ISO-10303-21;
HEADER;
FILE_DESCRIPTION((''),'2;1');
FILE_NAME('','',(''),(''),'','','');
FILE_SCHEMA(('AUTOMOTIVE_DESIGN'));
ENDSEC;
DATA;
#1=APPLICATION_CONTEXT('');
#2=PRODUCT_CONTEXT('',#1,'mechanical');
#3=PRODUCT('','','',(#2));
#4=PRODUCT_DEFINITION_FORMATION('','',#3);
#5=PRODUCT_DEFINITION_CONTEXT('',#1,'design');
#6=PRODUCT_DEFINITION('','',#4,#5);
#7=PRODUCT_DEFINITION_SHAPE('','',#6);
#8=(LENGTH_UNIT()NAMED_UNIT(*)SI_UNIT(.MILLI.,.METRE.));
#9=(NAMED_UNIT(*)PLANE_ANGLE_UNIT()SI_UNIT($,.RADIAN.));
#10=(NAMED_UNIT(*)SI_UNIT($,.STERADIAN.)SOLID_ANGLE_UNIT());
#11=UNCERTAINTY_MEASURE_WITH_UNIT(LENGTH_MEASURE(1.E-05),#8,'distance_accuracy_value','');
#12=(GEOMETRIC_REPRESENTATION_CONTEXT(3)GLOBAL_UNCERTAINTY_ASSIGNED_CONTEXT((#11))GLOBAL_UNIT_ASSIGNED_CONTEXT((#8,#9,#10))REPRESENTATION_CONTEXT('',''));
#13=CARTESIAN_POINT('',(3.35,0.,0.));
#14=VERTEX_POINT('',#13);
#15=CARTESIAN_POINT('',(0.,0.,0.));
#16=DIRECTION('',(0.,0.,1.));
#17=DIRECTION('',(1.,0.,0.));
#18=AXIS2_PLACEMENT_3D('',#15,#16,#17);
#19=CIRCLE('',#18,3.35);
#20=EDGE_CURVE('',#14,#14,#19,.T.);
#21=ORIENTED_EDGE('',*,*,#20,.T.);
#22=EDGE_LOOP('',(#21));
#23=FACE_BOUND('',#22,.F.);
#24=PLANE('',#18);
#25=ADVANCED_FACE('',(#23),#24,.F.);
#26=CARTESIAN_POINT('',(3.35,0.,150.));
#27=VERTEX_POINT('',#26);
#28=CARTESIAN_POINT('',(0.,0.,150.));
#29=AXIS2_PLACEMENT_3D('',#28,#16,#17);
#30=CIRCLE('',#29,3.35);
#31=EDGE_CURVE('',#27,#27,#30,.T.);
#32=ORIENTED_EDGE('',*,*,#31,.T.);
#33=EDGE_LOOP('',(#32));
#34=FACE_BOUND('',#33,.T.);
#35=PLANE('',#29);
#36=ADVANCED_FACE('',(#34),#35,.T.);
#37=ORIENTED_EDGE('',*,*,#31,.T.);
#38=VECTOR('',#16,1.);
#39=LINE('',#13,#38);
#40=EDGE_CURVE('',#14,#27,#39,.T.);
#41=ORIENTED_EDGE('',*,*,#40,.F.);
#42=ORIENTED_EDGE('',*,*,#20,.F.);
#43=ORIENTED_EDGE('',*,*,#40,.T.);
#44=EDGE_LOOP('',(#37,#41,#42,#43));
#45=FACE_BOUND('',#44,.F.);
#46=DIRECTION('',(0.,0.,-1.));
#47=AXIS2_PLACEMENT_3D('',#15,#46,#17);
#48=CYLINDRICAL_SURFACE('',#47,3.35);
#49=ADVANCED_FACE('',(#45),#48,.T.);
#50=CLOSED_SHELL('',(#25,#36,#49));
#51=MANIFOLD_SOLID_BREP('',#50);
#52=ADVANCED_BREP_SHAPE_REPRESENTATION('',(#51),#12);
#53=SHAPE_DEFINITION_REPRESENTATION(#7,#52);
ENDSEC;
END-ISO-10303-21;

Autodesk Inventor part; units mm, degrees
ref_plane "YZ Plane" through (0, 0, 0) normal (1, 0, 0) x (0, 1, 0)
ref_plane "XZ Plane" through (0, 0, 0) normal (0, 1, 0) x (-1, 0, 0)
ref_plane "XY Plane" through (0, 0, 0) normal (0, 0, 1) x (1, 0, 0)
sketch "Sketch1" plane through (0, 0, 0) normal (0, 0, 1) x (1, 0, 0)
  circle A0 centre (0, 0) radius 3.35
  dimension "d0" = 6.7
  dimension "d0" = 6.7
extrude "Extrusion1" add sketch "Sketch1" along normal blind 150
properties part number "Torlon Rod"
